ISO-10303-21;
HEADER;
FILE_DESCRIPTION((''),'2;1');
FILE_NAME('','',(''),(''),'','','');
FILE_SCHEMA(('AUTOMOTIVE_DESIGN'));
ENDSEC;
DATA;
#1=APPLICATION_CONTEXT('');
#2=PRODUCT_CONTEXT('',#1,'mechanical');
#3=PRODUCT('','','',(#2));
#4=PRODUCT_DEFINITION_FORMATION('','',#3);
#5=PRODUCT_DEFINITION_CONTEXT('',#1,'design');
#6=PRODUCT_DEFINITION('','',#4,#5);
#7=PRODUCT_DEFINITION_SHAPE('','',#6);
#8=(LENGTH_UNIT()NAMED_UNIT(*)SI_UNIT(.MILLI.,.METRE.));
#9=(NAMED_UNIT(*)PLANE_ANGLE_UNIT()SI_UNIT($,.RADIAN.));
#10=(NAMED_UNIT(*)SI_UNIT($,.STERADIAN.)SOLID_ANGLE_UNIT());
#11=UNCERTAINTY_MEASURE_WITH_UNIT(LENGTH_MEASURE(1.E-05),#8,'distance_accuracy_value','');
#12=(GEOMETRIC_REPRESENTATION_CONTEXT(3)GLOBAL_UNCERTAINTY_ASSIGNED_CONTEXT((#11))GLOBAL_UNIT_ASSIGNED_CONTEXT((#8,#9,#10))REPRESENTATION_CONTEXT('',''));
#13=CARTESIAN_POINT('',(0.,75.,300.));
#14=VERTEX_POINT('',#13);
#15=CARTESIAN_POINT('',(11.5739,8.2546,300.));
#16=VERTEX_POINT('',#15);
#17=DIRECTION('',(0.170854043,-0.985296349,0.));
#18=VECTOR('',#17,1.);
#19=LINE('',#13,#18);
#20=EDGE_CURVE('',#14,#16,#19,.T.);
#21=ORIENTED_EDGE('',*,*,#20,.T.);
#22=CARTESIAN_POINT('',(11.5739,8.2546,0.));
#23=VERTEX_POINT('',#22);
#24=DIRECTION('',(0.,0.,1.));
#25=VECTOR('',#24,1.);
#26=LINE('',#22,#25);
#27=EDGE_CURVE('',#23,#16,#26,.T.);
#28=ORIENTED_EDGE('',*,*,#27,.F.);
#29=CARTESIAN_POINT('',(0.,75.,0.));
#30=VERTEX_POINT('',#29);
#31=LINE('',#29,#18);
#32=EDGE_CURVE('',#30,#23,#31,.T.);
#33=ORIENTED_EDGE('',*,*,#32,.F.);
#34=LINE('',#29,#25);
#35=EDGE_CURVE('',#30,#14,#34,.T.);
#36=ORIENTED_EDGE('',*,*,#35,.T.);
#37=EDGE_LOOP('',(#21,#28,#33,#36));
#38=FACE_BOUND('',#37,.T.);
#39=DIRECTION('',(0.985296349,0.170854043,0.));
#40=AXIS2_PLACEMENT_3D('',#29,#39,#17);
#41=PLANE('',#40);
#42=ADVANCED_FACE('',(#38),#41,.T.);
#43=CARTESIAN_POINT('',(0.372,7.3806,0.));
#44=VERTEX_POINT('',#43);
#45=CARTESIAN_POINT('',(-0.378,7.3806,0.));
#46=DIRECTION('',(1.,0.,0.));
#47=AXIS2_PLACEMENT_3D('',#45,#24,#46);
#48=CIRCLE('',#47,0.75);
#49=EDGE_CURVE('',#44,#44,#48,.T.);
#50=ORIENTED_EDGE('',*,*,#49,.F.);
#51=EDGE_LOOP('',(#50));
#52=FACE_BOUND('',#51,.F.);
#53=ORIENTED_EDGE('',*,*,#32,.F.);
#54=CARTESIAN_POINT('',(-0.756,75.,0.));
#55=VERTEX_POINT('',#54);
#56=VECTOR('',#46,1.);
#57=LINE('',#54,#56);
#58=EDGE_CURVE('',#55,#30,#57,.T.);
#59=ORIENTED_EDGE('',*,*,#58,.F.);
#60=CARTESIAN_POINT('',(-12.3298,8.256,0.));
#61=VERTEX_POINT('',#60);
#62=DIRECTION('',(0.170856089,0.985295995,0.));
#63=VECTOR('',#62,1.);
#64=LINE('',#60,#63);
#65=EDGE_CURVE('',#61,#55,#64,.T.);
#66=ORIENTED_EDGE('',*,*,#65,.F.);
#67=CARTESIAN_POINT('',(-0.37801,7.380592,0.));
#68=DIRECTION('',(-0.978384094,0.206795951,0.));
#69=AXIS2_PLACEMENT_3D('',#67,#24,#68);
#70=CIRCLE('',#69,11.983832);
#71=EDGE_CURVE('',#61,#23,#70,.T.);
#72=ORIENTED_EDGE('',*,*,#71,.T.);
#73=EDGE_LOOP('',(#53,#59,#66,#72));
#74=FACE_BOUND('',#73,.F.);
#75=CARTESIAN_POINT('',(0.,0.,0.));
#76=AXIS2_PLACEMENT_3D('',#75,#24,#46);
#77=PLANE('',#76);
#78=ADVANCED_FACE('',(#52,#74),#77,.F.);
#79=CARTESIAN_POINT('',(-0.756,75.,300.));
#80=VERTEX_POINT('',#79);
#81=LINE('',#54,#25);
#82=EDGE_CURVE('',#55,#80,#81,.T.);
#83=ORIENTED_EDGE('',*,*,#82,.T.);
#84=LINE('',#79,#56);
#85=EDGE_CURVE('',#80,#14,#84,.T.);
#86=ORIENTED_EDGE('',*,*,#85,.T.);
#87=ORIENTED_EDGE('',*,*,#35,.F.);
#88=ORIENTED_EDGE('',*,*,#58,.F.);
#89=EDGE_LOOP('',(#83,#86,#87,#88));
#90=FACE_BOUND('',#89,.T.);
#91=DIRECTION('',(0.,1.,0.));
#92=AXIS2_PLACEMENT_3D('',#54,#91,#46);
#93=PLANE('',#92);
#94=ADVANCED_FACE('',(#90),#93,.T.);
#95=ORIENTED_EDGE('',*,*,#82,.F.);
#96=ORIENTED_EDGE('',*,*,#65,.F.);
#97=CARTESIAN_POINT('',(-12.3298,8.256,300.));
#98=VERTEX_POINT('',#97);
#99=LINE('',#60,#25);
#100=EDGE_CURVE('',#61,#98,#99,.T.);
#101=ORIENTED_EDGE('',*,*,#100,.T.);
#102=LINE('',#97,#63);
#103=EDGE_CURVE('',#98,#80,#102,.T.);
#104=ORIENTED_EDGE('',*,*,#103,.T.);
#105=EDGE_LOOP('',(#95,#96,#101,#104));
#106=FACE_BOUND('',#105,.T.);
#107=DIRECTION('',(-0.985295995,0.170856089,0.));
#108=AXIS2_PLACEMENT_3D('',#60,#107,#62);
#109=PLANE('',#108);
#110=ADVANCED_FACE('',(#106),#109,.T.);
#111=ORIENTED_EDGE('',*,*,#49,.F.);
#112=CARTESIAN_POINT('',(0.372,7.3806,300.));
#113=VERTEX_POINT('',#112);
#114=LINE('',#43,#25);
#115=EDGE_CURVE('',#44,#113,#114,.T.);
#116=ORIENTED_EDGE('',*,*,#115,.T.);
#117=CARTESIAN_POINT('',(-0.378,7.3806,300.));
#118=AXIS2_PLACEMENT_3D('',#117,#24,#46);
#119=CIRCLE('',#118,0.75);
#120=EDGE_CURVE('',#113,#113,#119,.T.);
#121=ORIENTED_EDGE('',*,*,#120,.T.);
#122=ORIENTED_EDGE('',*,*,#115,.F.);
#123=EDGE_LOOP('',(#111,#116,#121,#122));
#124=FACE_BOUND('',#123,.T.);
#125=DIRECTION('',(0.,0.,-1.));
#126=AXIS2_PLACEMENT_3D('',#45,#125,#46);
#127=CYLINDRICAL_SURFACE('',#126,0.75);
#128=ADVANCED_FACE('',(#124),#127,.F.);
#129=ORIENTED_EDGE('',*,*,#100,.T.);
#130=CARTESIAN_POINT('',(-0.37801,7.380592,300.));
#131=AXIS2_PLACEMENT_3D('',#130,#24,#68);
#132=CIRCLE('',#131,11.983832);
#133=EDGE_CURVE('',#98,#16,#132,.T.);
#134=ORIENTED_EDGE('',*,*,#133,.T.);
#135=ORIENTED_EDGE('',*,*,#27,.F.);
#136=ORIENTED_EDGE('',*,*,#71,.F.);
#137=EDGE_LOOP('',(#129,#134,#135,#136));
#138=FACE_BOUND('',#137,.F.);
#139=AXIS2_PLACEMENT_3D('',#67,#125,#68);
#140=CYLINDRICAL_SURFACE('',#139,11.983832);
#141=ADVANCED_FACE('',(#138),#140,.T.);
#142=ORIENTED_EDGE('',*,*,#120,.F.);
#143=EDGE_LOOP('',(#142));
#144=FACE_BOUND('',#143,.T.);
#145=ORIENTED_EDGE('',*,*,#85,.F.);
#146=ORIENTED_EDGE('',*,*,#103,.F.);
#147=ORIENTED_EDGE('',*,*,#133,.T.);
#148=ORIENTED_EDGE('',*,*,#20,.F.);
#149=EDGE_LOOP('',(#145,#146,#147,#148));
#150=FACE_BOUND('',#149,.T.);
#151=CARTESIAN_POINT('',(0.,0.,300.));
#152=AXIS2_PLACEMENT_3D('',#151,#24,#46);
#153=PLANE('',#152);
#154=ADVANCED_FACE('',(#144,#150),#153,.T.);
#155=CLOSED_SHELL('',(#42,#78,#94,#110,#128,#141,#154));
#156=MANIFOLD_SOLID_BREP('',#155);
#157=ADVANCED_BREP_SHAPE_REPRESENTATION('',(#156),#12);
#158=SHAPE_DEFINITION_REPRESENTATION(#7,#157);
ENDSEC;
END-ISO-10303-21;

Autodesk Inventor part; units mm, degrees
ref_plane "YZ Plane" through (0, 0, 0) normal (1, 0, 0) x (0, 1, 0)
ref_plane "XZ Plane" through (0, 0, 0) normal (0, 1, 0) x (-1, 0, 0)
ref_plane "Work Plane1" through (0, 0, 0) normal (0, 0, 1) x (1, 0, 0)
sketch "Sketch1" plane through (0, 0, 0) normal (0, 0, 1) x (1, 0, 0)
  circle A0 centre (-0.378, 7.3806) radius 0.75 projected
  line L0 (-0.756, 75) -> (0, 75) construction
  arc A1 (-13.4366, 0) -> (12.6806, 0) centre (-0.378, 7.3806) ccw construction
  arc A2 (-12.1028, 9.8588) -> (11.3464, 9.8606) centre (-0.378, 7.3806) ccw
  line L1 (-12.3298, 8.256) -> (-11.557, 13.7119)
  line L2 (11.5739, 8.2546) -> (10.8008, 13.7119)
  line L3 (-12.3298, 8.256) -> (-0.756, 75)
  line L4 (-0.756, 75) -> (0, 75)
  line L5 (0, 75) -> (11.5739, 8.2546)
  spline S0 degree 3 poles (0, 75) (0.0654, 74.6898) (0.2183, 73.9622) (0.6185, 72.0374) (0.8255, 71.0325) (1.5395, 67.5353) (2.0401, 65.0263) (3.7365, 56.3358) (4.8865, 50.1031) (8.482, 29.574) (10.8053, 14.5022) (12.6806, 0) knots -7.652768 -7.652768 -7.652768 -7.652768 -7.375677 -7.375677 -7.074889 -7.074889 -6.315253 -6.315253 -4.432937 -4.432937 -0.050389 -0.050389 -0.050389 -0.050389 projected
  spline S1 degree 3 poles (-13.4366, 0) (-10.3976, 23.501) (-6.0464, 49.5688) (-0.9743, 73.9622) (-0.8214, 74.6898) (-0.756, 75) knots -2.513741 -2.513741 -2.513741 -2.513741 -0.095109 -0.095109 0 0 0 0 projected
  point P0 (0, 0)
ref_plane "Work Plane2" through (-14.7431, -7.9324, 300) normal (0, 0, -1) x (0, 1, 0)
extrude "Extrusion1" add sketch "Sketch1" along normal up to surface (300 mm away) contours L3 L4 L5 A2
properties part number "Vtail"
